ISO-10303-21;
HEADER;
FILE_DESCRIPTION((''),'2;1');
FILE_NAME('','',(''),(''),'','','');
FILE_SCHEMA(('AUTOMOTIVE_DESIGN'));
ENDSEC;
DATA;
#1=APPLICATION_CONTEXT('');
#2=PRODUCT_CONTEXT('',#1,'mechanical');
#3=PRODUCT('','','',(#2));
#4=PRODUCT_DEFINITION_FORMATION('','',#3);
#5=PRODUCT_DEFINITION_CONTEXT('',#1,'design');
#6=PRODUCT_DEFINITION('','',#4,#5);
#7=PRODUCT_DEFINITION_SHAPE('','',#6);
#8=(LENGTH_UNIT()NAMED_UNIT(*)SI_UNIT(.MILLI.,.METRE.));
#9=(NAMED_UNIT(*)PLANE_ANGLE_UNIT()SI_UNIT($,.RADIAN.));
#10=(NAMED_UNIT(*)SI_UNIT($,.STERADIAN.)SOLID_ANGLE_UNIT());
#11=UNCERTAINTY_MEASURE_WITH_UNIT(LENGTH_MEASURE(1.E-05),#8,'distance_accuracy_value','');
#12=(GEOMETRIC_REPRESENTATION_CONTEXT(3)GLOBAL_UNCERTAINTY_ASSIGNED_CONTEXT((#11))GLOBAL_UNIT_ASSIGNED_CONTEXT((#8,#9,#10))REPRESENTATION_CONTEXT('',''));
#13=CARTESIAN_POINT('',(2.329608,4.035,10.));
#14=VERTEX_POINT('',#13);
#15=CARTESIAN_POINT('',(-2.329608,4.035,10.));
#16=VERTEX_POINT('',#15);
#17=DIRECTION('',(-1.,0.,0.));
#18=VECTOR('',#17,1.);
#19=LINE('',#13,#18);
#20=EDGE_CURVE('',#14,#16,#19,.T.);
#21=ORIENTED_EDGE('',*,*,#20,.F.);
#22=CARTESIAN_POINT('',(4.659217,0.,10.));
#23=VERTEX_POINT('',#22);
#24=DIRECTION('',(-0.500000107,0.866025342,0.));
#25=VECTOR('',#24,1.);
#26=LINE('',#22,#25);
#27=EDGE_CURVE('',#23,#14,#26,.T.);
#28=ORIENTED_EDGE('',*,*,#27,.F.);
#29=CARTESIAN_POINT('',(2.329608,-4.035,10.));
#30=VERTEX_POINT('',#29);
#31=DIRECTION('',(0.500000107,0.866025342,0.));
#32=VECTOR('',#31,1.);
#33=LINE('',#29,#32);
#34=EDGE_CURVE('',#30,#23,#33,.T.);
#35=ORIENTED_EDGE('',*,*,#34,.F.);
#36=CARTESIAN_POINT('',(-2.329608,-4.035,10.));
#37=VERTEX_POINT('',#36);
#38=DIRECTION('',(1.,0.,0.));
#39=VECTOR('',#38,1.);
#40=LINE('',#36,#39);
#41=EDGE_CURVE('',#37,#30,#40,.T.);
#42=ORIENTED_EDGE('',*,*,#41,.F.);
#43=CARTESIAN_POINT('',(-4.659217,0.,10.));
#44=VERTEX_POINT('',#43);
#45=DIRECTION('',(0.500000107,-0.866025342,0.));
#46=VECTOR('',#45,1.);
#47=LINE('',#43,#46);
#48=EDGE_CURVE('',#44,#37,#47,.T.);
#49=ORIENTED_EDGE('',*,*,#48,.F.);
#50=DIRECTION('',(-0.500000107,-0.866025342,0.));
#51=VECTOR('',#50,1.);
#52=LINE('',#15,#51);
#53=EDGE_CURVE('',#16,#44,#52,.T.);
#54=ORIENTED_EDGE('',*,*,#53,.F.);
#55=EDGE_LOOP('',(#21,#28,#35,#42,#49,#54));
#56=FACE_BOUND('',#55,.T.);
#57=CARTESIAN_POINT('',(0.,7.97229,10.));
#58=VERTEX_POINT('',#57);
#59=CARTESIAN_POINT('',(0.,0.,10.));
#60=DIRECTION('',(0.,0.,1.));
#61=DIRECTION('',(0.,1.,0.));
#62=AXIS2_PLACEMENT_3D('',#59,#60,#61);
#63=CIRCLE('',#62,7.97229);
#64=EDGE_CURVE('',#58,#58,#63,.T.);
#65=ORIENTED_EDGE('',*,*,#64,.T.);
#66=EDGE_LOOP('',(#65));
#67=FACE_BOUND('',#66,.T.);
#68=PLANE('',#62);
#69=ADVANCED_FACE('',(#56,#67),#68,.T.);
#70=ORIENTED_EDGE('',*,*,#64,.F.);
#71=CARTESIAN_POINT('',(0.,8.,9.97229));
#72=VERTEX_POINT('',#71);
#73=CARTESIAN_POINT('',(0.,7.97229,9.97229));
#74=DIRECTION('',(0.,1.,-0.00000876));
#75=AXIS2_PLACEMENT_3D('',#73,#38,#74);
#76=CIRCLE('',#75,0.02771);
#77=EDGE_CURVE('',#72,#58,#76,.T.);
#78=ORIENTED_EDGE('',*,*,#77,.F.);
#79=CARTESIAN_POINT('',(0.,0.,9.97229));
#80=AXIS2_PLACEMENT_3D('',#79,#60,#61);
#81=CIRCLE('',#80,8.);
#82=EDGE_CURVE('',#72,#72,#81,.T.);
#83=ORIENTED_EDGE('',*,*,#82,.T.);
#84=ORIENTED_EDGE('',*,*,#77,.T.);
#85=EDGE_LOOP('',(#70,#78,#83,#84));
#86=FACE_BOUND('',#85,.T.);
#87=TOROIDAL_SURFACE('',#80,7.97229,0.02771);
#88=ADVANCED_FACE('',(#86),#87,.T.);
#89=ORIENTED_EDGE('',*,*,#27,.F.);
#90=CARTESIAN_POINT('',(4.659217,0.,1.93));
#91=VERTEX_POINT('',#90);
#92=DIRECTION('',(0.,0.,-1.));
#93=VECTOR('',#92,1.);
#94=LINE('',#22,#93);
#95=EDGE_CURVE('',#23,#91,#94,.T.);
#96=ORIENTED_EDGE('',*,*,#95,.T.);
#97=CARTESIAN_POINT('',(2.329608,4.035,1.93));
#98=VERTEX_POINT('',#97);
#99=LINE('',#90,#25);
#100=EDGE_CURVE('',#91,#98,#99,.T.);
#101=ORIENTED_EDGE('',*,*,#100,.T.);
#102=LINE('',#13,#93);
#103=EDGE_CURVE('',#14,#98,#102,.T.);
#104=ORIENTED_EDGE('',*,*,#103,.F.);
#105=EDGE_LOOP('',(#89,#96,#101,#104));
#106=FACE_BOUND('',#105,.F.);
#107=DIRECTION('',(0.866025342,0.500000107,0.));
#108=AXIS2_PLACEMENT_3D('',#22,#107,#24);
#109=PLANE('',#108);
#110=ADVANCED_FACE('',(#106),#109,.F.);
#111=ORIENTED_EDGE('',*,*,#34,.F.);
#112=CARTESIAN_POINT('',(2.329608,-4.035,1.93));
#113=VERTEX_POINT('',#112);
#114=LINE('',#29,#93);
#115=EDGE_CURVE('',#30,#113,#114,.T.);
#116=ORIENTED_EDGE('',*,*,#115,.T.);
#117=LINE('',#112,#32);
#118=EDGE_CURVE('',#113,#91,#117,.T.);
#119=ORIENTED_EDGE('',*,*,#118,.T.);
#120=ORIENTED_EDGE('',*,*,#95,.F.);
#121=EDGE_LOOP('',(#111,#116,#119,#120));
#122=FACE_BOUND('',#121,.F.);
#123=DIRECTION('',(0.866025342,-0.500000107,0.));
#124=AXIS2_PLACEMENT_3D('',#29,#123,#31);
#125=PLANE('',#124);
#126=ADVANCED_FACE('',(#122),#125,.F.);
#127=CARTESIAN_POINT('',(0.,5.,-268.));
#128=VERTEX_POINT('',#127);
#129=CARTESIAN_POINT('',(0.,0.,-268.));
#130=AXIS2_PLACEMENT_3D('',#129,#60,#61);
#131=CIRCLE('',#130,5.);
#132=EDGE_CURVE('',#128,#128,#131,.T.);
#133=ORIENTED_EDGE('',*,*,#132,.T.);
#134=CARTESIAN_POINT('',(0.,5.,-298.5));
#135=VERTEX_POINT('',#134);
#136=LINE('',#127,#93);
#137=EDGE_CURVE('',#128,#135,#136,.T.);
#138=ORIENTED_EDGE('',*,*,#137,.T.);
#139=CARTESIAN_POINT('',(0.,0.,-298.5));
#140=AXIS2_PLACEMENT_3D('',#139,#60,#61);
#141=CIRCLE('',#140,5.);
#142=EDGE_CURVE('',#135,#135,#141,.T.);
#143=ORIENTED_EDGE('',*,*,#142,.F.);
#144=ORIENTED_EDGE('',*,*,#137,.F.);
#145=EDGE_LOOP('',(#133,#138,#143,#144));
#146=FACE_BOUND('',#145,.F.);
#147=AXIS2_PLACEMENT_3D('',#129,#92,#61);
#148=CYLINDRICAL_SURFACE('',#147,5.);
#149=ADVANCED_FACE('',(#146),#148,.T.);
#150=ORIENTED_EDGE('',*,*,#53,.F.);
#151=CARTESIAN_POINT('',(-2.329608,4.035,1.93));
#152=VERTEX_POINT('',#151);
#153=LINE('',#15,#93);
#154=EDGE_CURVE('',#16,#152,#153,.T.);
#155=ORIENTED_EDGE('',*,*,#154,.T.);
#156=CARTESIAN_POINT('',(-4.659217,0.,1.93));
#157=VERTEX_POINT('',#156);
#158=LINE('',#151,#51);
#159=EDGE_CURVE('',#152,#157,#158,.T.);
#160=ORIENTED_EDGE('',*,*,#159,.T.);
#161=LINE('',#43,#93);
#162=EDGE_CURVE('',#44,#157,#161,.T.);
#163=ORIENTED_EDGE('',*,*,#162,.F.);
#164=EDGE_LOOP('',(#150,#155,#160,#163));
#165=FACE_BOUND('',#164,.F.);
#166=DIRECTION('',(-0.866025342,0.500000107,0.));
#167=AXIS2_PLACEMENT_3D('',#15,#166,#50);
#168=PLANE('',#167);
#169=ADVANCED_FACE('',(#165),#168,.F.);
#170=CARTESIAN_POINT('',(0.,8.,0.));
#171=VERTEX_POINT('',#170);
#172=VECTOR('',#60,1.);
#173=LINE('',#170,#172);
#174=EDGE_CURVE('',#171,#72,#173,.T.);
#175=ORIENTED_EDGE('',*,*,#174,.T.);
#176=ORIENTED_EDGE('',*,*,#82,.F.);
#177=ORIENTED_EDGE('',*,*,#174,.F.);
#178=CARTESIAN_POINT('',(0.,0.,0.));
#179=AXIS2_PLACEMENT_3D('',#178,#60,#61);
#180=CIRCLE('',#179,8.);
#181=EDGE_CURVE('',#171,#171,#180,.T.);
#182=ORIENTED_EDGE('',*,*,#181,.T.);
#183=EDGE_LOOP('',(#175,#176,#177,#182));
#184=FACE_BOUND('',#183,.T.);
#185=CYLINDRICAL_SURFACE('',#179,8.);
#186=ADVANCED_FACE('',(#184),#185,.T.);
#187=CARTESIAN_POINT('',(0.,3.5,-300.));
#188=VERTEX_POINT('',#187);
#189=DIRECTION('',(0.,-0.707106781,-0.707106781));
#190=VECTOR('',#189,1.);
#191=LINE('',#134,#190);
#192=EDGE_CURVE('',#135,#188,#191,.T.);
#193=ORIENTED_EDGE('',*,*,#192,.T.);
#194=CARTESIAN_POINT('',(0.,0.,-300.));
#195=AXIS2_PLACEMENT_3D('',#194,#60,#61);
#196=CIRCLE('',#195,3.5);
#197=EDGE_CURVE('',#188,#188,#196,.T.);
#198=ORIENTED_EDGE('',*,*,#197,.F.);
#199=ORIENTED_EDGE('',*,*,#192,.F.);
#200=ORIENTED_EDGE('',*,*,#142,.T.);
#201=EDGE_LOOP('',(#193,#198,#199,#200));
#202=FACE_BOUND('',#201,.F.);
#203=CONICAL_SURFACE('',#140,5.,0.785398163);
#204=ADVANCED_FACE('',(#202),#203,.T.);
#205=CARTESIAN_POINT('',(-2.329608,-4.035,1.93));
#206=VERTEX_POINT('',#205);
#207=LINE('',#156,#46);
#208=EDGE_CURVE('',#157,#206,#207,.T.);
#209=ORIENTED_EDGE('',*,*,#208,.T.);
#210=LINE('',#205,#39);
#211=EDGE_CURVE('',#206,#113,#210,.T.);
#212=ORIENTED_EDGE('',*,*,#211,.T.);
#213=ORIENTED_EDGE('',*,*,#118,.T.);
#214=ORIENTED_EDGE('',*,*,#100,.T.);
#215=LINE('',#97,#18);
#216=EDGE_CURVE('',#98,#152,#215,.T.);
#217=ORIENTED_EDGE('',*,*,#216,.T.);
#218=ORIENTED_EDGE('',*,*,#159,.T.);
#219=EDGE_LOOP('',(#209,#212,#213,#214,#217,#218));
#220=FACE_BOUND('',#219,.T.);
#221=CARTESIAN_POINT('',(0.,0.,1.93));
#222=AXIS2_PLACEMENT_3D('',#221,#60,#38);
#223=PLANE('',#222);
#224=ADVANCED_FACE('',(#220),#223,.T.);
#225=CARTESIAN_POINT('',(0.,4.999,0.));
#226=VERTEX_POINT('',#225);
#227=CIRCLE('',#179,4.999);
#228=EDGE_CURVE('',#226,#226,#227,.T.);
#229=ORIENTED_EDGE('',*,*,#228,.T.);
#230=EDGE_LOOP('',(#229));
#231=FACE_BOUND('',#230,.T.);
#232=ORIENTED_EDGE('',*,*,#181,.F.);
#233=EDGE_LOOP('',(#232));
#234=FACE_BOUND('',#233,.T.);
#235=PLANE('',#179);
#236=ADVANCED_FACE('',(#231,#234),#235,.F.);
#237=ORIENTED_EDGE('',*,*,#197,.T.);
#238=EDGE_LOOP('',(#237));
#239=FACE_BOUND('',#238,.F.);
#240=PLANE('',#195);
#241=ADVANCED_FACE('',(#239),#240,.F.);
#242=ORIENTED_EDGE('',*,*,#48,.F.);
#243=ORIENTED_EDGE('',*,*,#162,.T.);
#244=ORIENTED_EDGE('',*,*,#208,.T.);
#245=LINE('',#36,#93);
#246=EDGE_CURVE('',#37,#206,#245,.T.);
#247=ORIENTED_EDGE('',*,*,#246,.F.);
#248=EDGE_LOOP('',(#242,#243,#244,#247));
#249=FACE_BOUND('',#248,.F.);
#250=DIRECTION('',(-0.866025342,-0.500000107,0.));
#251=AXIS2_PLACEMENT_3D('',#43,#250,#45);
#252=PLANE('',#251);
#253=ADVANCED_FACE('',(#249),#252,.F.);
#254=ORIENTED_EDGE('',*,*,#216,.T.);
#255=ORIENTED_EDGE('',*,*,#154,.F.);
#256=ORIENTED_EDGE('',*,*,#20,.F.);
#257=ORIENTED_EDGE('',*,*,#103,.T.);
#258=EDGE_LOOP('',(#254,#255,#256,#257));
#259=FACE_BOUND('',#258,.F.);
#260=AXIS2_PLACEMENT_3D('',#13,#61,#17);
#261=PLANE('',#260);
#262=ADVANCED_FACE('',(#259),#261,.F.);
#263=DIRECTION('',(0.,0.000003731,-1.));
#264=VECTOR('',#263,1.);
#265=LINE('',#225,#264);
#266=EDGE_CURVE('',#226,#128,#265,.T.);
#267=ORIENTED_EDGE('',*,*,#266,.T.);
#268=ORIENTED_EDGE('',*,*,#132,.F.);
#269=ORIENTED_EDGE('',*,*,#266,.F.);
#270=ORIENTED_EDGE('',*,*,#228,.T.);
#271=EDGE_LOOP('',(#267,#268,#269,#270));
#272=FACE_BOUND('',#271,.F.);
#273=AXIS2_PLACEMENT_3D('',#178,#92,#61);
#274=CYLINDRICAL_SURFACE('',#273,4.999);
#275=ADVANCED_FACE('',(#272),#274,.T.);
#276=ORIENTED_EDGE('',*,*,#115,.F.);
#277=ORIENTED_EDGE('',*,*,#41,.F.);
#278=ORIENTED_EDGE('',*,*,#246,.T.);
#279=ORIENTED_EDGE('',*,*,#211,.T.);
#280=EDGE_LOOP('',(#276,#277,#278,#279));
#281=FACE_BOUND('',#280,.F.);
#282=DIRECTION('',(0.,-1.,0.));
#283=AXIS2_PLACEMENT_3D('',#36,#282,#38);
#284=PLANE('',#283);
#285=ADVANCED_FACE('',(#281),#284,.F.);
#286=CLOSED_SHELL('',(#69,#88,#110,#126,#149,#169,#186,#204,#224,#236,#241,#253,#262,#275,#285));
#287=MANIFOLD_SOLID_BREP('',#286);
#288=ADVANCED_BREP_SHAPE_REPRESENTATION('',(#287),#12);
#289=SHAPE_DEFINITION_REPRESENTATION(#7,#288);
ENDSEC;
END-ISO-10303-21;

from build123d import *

# Parameters (mm, degrees)
POCKET_DEPTH = 8.07


with BuildPart() as part:
    # Sketch → Revolve (revolve)
    with BuildSketch(Plane.YZ):
        with BuildLine():
            Line((4.999, 0), (8, 0))
            Line((8, 0), (8, 9.97229))
            ThreePointArc((8, 9.97229), (7.991884, 9.991884), (7.97229, 10))
            Line((7.97229, 10), (0, 10))
            Line((0, -300), (0, 10))
            Line((3.5, -300), (0, -300))
            Line((5, -298.5), (3.5, -300))
            Line((5, -268), (5, -298.5))
            Line((4.999, 0), (5, -268))
        make_face()
    revolve(axis=Axis((0, 0, 0), (0, 0, 1)))

    # Sketch001 → Pocket (cut)
    with BuildSketch(Plane.XY.offset(10)):
        Polygon((4.659217, 0), (2.329608, 4.035), (-2.329608, 4.035), (-4.659217, 0), (-2.329608, -4.035), (2.329608, -4.035), align=None)
    extrude(amount=-POCKET_DEPTH, mode=Mode.SUBTRACT)


solid = part.part
